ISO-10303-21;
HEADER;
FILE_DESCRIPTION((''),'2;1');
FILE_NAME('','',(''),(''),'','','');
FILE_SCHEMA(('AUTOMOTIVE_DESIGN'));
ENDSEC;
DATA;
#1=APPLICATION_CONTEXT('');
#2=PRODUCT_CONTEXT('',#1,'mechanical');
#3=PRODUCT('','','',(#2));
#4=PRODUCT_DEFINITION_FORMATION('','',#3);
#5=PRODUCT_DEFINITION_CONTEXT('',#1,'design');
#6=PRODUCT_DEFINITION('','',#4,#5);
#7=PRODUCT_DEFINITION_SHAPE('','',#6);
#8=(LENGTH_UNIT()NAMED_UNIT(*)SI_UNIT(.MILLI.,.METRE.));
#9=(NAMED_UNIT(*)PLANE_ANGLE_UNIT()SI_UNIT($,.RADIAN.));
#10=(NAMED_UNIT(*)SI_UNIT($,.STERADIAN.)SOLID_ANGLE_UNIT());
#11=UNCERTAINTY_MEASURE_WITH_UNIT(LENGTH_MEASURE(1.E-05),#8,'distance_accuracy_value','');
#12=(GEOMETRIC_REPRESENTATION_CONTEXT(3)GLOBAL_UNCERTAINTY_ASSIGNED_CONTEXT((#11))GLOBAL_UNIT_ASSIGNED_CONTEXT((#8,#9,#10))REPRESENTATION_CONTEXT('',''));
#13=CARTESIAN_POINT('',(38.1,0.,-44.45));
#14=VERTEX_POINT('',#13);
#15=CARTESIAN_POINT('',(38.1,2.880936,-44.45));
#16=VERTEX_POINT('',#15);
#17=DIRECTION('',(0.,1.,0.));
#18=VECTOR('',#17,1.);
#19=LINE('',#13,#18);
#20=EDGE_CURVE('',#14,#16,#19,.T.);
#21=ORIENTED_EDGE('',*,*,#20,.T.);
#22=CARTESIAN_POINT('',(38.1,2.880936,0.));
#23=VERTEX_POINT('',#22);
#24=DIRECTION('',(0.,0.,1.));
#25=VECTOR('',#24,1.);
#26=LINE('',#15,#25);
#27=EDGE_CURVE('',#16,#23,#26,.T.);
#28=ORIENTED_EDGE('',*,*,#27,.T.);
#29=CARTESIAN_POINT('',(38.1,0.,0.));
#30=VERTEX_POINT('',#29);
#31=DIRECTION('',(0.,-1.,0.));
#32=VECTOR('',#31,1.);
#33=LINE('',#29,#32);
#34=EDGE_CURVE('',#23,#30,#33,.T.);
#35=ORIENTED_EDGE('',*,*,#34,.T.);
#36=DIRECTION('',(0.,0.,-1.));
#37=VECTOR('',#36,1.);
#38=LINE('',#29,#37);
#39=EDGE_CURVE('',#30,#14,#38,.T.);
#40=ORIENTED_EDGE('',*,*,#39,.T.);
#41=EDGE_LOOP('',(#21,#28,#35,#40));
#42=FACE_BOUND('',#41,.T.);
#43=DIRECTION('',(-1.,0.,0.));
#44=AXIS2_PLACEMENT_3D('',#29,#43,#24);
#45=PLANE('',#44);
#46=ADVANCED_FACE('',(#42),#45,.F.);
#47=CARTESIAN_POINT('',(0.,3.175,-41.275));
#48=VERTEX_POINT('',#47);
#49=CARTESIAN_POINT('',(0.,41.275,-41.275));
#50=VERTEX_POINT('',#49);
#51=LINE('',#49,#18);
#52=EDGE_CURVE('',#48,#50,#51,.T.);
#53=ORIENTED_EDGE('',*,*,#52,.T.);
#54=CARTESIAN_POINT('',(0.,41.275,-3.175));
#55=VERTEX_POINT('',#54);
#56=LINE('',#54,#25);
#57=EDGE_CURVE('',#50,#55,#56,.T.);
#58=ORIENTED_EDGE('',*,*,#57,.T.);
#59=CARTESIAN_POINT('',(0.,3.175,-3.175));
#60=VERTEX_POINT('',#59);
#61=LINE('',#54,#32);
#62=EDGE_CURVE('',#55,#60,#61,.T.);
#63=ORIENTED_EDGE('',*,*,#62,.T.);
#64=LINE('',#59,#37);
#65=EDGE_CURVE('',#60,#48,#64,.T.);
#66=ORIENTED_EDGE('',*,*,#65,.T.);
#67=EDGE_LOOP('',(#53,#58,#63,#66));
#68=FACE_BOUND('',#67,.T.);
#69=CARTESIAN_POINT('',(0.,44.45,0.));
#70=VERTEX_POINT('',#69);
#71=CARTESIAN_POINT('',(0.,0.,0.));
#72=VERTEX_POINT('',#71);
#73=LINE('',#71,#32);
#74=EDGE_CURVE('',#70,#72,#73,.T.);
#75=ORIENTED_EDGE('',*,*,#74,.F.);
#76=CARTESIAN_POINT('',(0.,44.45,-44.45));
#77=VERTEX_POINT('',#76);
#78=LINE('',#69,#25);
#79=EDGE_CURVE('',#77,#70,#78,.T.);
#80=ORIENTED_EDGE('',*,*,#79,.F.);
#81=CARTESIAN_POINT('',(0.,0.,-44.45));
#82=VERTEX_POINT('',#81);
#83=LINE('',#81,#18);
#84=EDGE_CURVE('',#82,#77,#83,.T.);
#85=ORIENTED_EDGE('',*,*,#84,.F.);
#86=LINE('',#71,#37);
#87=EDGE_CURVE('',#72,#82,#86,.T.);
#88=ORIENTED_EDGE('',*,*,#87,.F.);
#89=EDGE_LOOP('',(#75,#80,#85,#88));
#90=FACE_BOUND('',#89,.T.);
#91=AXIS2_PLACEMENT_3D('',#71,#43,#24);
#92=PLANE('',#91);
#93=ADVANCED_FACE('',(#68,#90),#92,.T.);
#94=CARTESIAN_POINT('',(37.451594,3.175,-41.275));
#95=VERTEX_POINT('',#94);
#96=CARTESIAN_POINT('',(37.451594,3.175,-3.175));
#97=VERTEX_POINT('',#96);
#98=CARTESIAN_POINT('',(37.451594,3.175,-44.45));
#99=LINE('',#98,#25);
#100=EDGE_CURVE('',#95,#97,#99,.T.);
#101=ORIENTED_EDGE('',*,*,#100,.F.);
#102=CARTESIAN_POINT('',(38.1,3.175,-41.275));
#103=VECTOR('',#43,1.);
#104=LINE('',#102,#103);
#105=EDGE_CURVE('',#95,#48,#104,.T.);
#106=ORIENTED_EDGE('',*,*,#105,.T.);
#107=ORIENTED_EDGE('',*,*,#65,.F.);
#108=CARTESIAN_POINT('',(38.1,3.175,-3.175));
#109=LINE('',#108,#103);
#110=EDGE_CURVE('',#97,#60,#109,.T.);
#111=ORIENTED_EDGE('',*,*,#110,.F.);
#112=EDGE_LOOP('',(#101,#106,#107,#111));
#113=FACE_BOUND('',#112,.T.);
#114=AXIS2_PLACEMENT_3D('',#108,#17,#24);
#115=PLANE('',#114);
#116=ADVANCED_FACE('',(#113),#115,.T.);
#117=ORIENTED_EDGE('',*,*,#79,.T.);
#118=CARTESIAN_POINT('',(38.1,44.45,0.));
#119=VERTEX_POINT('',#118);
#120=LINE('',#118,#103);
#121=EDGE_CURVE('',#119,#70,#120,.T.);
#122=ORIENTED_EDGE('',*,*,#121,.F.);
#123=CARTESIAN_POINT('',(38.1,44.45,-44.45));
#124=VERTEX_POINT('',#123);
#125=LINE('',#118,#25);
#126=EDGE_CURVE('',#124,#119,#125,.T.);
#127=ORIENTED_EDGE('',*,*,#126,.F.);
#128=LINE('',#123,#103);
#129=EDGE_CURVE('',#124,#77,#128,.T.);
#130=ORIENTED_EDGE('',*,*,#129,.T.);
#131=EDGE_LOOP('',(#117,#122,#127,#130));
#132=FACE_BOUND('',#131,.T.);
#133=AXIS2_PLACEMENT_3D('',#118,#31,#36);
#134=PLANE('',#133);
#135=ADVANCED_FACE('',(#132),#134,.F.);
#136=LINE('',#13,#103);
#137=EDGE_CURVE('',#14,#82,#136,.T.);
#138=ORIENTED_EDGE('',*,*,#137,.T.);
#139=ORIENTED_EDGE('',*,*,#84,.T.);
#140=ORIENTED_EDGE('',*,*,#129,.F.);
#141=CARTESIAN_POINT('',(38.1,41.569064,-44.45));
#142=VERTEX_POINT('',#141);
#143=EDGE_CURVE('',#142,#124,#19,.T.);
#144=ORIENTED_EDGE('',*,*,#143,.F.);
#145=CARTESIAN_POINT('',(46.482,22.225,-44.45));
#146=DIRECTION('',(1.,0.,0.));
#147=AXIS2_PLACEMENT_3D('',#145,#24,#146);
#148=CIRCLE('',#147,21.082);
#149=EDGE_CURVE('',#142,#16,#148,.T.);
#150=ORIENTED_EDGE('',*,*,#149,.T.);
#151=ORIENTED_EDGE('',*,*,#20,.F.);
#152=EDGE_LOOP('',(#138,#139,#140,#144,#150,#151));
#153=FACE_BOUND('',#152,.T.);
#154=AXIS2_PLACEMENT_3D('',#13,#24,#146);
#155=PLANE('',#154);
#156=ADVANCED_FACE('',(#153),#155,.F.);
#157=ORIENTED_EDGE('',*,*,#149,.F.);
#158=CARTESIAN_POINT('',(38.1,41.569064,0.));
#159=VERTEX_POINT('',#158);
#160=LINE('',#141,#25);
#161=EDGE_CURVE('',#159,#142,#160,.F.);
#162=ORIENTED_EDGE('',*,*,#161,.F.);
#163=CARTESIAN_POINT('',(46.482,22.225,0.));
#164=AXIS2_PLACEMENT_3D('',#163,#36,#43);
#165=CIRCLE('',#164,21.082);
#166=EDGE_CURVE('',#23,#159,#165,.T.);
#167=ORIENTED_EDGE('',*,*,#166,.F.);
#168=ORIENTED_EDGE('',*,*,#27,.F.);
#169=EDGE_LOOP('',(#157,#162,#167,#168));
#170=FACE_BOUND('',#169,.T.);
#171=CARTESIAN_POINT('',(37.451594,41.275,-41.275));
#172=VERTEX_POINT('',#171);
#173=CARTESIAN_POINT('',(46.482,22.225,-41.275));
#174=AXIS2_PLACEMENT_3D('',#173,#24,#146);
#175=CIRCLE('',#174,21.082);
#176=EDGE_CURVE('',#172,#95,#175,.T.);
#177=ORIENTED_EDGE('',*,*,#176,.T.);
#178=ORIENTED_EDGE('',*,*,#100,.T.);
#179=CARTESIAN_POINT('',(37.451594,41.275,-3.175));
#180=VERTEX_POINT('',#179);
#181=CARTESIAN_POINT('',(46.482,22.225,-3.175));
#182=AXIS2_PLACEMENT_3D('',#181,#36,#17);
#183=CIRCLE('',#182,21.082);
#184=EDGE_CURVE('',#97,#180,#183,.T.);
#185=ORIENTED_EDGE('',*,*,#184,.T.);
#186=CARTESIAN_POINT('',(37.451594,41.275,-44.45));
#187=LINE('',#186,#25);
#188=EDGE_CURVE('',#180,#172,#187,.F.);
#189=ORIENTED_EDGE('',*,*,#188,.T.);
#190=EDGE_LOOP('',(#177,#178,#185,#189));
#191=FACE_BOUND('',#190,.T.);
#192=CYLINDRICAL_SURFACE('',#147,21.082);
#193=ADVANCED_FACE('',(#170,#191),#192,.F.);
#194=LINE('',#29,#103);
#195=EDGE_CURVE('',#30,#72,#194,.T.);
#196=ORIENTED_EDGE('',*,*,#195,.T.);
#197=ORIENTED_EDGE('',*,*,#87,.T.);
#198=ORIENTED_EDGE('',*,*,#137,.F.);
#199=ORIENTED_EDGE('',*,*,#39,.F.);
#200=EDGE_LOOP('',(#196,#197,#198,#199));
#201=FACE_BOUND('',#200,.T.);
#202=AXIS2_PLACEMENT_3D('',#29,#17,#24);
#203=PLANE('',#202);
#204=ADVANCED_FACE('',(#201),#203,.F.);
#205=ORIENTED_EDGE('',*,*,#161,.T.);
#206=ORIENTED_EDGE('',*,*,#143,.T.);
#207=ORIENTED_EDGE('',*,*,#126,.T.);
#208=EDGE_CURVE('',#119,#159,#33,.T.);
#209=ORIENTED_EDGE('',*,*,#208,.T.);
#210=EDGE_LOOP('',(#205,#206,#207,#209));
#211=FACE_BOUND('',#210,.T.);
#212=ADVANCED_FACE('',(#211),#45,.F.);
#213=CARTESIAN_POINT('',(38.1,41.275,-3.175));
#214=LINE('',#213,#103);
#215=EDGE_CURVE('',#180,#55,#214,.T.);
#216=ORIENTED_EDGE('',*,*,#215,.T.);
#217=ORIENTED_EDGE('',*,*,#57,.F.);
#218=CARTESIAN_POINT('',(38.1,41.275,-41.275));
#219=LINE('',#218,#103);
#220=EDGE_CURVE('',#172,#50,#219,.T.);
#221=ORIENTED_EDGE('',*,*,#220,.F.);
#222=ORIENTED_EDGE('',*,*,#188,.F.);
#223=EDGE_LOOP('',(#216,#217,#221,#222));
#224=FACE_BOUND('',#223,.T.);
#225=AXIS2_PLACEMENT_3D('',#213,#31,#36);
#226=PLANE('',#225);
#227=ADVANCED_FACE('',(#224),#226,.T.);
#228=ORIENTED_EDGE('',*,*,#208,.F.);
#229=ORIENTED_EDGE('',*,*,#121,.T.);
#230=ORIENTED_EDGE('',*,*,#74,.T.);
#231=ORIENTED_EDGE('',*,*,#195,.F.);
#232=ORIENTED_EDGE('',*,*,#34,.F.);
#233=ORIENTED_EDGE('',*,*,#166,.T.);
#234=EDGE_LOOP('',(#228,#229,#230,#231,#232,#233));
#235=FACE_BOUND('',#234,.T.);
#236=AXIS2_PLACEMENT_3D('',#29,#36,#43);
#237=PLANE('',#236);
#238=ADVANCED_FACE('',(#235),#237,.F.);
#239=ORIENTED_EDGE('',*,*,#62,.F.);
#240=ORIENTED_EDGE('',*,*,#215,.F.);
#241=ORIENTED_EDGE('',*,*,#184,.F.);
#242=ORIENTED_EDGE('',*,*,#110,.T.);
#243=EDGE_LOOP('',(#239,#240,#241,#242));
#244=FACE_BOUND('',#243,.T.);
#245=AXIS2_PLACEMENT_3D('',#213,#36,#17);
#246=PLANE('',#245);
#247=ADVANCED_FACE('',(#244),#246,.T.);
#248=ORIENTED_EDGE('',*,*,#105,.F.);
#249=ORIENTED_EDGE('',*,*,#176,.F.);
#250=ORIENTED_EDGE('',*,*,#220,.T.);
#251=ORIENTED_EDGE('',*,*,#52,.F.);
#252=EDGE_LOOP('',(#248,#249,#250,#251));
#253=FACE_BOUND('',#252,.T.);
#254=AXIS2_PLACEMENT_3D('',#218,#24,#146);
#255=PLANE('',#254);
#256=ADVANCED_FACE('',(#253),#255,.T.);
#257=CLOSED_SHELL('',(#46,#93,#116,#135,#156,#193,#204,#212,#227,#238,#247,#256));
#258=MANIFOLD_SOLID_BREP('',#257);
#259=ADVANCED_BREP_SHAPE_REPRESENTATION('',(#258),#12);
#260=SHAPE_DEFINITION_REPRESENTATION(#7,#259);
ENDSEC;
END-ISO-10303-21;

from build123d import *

# Parameters (mm, degrees)
SKETCH1_W               = 44.45
SKETCH1_H               = 44.45
SKETCH1_W_2             = 38.1
SKETCH1_H_2             = 38.1
BOSS_EXTRUDE1_DEPTH     = 38.1
SKETCH2_R               = 21.082
CUT_EXTRUDE1_DEPTH      = 1
CUT_EXTRUDE1_DEPTH_BACK = 45.45


with BuildPart() as part:
    # Sketch1 → Boss-Extrude1 (new body)
    with BuildSketch(Plane(origin=(0, 0, 0), x_dir=(0, 0, -1), z_dir=(1, 0, 0))):
        with Locations((22.225, 22.225)):
            Rectangle(SKETCH1_W, SKETCH1_H)
        with Locations((22.225, 22.225)):
            Rectangle(SKETCH1_W_2, SKETCH1_H_2, mode=Mode.SUBTRACT)
    extrude(amount=BOSS_EXTRUDE1_DEPTH)

    # Sketch2 → Cut-Extrude1 (cut, two sides)
    with BuildSketch(Plane.XY) as cut_extrude1_sk:
        with Locations((46.482, 22.225)):
            Circle(SKETCH2_R)
    extrude(amount=CUT_EXTRUDE1_DEPTH, mode=Mode.SUBTRACT)
    extrude(cut_extrude1_sk.sketch, amount=-CUT_EXTRUDE1_DEPTH_BACK, mode=Mode.SUBTRACT)


solid = part.part
